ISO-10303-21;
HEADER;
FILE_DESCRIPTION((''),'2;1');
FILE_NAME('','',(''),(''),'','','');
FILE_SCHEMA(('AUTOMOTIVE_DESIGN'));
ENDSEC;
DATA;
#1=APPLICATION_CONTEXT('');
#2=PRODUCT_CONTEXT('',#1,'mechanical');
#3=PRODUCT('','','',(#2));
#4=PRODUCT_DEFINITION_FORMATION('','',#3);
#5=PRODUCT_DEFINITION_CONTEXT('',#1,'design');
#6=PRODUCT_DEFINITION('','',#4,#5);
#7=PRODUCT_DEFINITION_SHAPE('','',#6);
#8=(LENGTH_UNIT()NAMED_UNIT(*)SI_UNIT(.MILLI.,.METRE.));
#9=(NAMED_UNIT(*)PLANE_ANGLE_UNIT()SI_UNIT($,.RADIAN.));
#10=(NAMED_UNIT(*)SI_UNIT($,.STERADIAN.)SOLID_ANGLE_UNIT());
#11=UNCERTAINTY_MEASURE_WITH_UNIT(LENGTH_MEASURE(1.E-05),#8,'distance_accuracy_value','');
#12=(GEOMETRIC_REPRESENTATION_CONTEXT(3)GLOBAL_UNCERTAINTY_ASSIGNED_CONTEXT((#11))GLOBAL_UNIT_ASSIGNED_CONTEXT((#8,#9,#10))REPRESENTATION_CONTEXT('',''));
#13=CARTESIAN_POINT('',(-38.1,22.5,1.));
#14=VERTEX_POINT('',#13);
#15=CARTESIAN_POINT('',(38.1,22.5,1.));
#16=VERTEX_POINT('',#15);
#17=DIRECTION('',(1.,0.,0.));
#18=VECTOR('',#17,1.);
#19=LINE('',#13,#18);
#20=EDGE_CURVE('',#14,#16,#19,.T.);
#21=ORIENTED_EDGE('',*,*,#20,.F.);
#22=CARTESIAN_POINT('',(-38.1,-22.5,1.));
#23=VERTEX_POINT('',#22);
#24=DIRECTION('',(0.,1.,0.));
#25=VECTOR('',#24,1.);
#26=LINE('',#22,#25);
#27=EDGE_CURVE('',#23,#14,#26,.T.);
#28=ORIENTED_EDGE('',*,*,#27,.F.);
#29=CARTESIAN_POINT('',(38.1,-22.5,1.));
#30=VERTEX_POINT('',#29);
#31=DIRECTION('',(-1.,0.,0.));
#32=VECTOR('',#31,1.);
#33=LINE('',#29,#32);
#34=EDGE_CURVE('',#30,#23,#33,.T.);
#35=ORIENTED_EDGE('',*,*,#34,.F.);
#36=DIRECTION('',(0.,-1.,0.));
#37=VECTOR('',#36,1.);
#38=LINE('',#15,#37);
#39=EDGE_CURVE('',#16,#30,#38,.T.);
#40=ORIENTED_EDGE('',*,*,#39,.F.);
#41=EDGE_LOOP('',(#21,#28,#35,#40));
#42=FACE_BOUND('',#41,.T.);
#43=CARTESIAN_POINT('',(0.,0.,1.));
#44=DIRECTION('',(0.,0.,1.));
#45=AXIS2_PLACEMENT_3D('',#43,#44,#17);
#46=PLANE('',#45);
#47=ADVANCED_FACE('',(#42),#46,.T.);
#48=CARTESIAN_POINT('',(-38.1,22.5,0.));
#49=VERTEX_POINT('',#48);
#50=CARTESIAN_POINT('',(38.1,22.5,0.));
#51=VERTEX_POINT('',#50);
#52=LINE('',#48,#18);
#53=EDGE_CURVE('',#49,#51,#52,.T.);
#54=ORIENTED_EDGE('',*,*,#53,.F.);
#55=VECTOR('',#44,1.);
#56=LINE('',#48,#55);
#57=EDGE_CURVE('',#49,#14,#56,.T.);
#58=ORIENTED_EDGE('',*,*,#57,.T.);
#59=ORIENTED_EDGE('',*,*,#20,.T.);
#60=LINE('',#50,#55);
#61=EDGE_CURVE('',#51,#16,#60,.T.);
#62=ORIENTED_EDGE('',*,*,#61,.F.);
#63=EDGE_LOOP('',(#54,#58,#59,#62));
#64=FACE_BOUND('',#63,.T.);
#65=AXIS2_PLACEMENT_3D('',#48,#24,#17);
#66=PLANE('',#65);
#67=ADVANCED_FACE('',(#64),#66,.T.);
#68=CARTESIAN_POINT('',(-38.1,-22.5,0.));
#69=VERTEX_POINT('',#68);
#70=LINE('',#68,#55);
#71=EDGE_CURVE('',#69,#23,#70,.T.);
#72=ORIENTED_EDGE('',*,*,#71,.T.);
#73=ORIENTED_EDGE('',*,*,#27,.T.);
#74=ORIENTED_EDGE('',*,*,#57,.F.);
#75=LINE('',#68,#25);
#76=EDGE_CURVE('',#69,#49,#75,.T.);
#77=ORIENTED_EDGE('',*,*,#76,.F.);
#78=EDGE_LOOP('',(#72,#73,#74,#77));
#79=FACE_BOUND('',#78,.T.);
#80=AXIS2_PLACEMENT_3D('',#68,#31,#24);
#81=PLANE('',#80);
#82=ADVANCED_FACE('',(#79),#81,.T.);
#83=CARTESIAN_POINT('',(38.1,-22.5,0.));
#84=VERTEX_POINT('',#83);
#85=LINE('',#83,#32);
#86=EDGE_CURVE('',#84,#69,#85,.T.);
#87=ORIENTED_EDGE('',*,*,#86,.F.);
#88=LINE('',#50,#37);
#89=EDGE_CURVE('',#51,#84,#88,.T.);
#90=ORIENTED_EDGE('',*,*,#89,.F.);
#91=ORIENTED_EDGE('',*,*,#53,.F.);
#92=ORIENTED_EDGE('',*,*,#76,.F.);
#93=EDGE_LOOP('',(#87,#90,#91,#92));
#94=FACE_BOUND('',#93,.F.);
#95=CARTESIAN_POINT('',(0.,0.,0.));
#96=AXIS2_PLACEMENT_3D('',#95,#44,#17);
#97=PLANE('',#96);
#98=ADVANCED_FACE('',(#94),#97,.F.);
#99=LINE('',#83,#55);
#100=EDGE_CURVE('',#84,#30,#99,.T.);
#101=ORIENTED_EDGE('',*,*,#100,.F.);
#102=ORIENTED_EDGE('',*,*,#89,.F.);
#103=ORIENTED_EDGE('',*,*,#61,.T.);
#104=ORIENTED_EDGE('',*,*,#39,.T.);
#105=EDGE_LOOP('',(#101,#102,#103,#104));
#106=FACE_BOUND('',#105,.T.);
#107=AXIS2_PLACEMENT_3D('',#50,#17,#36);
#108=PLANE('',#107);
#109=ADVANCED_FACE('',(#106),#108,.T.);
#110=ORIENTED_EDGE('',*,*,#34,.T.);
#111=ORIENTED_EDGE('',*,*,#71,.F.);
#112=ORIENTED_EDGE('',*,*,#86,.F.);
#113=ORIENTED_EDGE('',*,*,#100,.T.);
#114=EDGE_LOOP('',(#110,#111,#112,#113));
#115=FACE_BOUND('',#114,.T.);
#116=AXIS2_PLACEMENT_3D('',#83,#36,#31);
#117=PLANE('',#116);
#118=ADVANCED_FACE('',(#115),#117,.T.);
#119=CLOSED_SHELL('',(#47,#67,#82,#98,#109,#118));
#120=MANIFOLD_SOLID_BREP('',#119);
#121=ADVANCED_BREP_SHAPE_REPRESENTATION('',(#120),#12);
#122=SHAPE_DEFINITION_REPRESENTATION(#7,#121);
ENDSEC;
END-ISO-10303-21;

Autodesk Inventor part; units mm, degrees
ref_plane "YZ Plane" through (0, 0, 0) normal (1, 0, 0) x (0, 1, 0)
ref_plane "XZ Plane" through (0, 0, 0) normal (0, 1, 0) x (-1, 0, 0)
ref_plane "XY Plane" through (0, 0, 0) normal (0, 0, 1) x (1, 0, 0)
sketch "Sketch1" plane through (0, 0, 0) normal (0, 0, 1) x (1, 0, 0)
  line L0 (-38.1, 22.5) -> (38.1, 22.5)
  line L1 (38.1, 22.5) -> (38.1, -22.5)
  line L2 (38.1, -22.5) -> (-38.1, -22.5)
  line L3 (-38.1, -22.5) -> (-38.1, 22.5)
  line L4 (-38.1, 22.5) -> (38.1, -22.5) construction
  line L5 (38.1, 22.5) -> (-38.1, -22.5) construction
  point P0 (0, 0)
  dimension "d0" = 76.2
  dimension "d1" = 45
extrude "Extrusion1" add sketch "Sketch1" along normal blind 1
equation "\"BendRadius\" = Thickness"
equation "\"BendReliefWidth\" = Thickness"
equation "\"BendReliefDepth\" = 0.5 * Thickness"
equation "\"CornerReliefSize\" = 4 * Thickness"
equation "\"MinimumRemnant\" = 2 * Thickness"
equation "\"TransitionRadius\" = BendRadius"
equation "\"JacobiRadiusSize\" = BendRadius"
equation "\"GapSize\" = Thickness"
equation "\"Thickness\" = 3.048"
properties part number "ContactPlate"
